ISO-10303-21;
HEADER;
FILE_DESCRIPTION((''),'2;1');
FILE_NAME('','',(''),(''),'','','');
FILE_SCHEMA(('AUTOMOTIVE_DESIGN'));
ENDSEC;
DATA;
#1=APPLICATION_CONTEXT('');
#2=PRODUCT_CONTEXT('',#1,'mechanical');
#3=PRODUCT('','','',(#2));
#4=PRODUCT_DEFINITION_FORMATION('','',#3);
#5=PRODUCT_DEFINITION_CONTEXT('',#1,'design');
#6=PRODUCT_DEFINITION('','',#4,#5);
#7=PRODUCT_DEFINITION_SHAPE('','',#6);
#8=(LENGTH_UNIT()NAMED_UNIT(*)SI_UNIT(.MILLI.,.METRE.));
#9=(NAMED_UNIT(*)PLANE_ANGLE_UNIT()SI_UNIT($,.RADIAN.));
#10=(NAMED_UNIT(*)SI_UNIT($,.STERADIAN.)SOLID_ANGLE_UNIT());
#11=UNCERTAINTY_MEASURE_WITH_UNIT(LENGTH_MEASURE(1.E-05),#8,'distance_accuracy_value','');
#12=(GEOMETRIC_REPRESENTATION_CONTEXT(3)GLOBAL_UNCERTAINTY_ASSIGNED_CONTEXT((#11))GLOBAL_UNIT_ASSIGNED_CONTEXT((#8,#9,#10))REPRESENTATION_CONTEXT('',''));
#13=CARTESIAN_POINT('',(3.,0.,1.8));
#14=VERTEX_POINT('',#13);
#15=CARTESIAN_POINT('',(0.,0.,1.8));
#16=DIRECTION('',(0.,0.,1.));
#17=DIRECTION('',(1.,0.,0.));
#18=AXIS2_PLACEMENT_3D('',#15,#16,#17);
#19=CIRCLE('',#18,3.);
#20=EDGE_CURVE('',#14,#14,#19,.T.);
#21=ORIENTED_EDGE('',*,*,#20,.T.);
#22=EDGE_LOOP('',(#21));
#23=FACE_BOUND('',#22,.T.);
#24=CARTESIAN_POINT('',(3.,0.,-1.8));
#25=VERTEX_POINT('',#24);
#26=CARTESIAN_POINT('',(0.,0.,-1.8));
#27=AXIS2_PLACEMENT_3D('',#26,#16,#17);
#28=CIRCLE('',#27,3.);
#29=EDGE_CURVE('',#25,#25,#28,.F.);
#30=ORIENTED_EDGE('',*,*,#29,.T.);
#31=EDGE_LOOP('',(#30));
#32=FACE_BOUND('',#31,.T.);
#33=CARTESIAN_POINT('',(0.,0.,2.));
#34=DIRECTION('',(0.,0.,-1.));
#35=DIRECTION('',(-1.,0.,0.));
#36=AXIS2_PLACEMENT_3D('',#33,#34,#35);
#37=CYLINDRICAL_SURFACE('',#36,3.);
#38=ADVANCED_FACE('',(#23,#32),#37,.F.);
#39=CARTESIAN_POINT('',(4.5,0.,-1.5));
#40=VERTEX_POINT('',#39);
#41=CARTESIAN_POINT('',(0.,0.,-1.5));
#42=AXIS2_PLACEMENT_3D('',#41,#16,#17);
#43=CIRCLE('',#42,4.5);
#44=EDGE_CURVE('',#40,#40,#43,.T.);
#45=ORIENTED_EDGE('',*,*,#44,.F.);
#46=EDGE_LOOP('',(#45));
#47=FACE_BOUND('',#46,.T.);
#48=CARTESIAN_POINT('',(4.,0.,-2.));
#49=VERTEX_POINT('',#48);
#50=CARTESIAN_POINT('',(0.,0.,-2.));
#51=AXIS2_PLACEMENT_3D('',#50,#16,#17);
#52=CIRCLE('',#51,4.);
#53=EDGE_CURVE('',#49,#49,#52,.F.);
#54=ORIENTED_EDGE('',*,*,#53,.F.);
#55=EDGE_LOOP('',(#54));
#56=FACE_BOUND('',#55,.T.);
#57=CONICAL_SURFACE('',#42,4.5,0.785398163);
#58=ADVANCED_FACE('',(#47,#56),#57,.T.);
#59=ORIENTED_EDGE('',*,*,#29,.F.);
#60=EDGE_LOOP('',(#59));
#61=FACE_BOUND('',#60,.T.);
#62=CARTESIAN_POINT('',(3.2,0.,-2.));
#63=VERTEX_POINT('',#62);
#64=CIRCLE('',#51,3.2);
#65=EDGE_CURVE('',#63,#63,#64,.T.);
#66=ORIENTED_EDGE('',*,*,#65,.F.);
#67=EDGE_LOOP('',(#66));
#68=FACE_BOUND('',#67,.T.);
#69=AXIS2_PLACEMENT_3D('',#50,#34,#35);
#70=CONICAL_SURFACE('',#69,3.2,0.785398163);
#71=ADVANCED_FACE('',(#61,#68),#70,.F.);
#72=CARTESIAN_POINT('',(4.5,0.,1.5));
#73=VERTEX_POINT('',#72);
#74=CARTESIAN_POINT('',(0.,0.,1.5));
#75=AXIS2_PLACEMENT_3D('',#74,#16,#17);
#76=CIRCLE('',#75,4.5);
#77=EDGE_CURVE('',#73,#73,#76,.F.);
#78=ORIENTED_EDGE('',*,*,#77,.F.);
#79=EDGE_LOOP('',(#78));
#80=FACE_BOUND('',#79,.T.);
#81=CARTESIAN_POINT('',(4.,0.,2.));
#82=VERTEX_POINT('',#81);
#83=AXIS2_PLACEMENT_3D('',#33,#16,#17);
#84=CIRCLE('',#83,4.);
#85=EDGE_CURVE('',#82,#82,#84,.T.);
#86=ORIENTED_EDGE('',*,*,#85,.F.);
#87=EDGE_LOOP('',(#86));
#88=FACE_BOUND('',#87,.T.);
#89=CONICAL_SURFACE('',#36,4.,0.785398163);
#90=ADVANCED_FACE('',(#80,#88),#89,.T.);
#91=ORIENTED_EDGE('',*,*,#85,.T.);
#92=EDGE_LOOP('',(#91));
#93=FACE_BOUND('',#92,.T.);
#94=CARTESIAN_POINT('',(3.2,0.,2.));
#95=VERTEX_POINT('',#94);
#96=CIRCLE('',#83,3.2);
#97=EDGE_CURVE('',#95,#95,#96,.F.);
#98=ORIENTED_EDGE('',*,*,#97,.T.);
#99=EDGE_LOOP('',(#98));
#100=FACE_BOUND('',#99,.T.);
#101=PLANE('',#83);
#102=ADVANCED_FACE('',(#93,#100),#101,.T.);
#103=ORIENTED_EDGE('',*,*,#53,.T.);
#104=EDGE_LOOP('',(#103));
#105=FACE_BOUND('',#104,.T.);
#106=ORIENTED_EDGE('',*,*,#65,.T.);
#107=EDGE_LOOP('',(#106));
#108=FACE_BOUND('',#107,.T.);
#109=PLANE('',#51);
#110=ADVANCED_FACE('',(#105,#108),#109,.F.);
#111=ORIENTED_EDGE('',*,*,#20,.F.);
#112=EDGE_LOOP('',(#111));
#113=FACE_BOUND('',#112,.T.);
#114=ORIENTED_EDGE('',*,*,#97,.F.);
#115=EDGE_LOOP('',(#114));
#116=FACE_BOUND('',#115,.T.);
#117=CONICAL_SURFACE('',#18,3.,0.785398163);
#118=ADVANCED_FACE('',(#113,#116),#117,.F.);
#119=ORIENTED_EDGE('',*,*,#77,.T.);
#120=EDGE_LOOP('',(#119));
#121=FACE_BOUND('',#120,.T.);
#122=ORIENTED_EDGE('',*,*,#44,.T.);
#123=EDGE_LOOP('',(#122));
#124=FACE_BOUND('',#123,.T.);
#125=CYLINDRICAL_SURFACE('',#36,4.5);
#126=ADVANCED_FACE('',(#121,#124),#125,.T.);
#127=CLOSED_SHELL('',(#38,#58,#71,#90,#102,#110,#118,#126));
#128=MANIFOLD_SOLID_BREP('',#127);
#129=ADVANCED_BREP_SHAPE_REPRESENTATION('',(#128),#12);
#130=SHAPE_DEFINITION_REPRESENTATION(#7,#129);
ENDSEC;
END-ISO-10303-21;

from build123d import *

# Parameters (mm, degrees)
ESQUISSE1_R          = 4.5
ESQUISSE1_R_2        = 3
BASE_EXTRUSION_DEPTH = 2
CHANFREIN1_SIZE      = 0.5
CHANFREIN2_SIZE      = 0.2


with BuildPart() as part:
    # Esquisse1 → Base-Extrusion (new, symmetric)
    with BuildSketch(Plane.XY):
        Circle(ESQUISSE1_R)
        Circle(ESQUISSE1_R_2, mode=Mode.SUBTRACT)
    extrude(amount=BASE_EXTRUSION_DEPTH, both=True)

    # Chanfrein1
    chanfrein1_edges = [part.edges().sort_by_distance(p)[0] for p in [
        (-4.5, 0, -2),
        (-4.5, 0, 2),
    ]]
    chamfer(chanfrein1_edges, length=CHANFREIN1_SIZE)

    # Chanfrein2
    chanfrein2_edges = [part.edges().sort_by_distance(p)[0] for p in [
        (-3, 0, -2),
        (-3, 0, 2),
    ]]
    chamfer(chanfrein2_edges, length=CHANFREIN2_SIZE)


solid = part.part
